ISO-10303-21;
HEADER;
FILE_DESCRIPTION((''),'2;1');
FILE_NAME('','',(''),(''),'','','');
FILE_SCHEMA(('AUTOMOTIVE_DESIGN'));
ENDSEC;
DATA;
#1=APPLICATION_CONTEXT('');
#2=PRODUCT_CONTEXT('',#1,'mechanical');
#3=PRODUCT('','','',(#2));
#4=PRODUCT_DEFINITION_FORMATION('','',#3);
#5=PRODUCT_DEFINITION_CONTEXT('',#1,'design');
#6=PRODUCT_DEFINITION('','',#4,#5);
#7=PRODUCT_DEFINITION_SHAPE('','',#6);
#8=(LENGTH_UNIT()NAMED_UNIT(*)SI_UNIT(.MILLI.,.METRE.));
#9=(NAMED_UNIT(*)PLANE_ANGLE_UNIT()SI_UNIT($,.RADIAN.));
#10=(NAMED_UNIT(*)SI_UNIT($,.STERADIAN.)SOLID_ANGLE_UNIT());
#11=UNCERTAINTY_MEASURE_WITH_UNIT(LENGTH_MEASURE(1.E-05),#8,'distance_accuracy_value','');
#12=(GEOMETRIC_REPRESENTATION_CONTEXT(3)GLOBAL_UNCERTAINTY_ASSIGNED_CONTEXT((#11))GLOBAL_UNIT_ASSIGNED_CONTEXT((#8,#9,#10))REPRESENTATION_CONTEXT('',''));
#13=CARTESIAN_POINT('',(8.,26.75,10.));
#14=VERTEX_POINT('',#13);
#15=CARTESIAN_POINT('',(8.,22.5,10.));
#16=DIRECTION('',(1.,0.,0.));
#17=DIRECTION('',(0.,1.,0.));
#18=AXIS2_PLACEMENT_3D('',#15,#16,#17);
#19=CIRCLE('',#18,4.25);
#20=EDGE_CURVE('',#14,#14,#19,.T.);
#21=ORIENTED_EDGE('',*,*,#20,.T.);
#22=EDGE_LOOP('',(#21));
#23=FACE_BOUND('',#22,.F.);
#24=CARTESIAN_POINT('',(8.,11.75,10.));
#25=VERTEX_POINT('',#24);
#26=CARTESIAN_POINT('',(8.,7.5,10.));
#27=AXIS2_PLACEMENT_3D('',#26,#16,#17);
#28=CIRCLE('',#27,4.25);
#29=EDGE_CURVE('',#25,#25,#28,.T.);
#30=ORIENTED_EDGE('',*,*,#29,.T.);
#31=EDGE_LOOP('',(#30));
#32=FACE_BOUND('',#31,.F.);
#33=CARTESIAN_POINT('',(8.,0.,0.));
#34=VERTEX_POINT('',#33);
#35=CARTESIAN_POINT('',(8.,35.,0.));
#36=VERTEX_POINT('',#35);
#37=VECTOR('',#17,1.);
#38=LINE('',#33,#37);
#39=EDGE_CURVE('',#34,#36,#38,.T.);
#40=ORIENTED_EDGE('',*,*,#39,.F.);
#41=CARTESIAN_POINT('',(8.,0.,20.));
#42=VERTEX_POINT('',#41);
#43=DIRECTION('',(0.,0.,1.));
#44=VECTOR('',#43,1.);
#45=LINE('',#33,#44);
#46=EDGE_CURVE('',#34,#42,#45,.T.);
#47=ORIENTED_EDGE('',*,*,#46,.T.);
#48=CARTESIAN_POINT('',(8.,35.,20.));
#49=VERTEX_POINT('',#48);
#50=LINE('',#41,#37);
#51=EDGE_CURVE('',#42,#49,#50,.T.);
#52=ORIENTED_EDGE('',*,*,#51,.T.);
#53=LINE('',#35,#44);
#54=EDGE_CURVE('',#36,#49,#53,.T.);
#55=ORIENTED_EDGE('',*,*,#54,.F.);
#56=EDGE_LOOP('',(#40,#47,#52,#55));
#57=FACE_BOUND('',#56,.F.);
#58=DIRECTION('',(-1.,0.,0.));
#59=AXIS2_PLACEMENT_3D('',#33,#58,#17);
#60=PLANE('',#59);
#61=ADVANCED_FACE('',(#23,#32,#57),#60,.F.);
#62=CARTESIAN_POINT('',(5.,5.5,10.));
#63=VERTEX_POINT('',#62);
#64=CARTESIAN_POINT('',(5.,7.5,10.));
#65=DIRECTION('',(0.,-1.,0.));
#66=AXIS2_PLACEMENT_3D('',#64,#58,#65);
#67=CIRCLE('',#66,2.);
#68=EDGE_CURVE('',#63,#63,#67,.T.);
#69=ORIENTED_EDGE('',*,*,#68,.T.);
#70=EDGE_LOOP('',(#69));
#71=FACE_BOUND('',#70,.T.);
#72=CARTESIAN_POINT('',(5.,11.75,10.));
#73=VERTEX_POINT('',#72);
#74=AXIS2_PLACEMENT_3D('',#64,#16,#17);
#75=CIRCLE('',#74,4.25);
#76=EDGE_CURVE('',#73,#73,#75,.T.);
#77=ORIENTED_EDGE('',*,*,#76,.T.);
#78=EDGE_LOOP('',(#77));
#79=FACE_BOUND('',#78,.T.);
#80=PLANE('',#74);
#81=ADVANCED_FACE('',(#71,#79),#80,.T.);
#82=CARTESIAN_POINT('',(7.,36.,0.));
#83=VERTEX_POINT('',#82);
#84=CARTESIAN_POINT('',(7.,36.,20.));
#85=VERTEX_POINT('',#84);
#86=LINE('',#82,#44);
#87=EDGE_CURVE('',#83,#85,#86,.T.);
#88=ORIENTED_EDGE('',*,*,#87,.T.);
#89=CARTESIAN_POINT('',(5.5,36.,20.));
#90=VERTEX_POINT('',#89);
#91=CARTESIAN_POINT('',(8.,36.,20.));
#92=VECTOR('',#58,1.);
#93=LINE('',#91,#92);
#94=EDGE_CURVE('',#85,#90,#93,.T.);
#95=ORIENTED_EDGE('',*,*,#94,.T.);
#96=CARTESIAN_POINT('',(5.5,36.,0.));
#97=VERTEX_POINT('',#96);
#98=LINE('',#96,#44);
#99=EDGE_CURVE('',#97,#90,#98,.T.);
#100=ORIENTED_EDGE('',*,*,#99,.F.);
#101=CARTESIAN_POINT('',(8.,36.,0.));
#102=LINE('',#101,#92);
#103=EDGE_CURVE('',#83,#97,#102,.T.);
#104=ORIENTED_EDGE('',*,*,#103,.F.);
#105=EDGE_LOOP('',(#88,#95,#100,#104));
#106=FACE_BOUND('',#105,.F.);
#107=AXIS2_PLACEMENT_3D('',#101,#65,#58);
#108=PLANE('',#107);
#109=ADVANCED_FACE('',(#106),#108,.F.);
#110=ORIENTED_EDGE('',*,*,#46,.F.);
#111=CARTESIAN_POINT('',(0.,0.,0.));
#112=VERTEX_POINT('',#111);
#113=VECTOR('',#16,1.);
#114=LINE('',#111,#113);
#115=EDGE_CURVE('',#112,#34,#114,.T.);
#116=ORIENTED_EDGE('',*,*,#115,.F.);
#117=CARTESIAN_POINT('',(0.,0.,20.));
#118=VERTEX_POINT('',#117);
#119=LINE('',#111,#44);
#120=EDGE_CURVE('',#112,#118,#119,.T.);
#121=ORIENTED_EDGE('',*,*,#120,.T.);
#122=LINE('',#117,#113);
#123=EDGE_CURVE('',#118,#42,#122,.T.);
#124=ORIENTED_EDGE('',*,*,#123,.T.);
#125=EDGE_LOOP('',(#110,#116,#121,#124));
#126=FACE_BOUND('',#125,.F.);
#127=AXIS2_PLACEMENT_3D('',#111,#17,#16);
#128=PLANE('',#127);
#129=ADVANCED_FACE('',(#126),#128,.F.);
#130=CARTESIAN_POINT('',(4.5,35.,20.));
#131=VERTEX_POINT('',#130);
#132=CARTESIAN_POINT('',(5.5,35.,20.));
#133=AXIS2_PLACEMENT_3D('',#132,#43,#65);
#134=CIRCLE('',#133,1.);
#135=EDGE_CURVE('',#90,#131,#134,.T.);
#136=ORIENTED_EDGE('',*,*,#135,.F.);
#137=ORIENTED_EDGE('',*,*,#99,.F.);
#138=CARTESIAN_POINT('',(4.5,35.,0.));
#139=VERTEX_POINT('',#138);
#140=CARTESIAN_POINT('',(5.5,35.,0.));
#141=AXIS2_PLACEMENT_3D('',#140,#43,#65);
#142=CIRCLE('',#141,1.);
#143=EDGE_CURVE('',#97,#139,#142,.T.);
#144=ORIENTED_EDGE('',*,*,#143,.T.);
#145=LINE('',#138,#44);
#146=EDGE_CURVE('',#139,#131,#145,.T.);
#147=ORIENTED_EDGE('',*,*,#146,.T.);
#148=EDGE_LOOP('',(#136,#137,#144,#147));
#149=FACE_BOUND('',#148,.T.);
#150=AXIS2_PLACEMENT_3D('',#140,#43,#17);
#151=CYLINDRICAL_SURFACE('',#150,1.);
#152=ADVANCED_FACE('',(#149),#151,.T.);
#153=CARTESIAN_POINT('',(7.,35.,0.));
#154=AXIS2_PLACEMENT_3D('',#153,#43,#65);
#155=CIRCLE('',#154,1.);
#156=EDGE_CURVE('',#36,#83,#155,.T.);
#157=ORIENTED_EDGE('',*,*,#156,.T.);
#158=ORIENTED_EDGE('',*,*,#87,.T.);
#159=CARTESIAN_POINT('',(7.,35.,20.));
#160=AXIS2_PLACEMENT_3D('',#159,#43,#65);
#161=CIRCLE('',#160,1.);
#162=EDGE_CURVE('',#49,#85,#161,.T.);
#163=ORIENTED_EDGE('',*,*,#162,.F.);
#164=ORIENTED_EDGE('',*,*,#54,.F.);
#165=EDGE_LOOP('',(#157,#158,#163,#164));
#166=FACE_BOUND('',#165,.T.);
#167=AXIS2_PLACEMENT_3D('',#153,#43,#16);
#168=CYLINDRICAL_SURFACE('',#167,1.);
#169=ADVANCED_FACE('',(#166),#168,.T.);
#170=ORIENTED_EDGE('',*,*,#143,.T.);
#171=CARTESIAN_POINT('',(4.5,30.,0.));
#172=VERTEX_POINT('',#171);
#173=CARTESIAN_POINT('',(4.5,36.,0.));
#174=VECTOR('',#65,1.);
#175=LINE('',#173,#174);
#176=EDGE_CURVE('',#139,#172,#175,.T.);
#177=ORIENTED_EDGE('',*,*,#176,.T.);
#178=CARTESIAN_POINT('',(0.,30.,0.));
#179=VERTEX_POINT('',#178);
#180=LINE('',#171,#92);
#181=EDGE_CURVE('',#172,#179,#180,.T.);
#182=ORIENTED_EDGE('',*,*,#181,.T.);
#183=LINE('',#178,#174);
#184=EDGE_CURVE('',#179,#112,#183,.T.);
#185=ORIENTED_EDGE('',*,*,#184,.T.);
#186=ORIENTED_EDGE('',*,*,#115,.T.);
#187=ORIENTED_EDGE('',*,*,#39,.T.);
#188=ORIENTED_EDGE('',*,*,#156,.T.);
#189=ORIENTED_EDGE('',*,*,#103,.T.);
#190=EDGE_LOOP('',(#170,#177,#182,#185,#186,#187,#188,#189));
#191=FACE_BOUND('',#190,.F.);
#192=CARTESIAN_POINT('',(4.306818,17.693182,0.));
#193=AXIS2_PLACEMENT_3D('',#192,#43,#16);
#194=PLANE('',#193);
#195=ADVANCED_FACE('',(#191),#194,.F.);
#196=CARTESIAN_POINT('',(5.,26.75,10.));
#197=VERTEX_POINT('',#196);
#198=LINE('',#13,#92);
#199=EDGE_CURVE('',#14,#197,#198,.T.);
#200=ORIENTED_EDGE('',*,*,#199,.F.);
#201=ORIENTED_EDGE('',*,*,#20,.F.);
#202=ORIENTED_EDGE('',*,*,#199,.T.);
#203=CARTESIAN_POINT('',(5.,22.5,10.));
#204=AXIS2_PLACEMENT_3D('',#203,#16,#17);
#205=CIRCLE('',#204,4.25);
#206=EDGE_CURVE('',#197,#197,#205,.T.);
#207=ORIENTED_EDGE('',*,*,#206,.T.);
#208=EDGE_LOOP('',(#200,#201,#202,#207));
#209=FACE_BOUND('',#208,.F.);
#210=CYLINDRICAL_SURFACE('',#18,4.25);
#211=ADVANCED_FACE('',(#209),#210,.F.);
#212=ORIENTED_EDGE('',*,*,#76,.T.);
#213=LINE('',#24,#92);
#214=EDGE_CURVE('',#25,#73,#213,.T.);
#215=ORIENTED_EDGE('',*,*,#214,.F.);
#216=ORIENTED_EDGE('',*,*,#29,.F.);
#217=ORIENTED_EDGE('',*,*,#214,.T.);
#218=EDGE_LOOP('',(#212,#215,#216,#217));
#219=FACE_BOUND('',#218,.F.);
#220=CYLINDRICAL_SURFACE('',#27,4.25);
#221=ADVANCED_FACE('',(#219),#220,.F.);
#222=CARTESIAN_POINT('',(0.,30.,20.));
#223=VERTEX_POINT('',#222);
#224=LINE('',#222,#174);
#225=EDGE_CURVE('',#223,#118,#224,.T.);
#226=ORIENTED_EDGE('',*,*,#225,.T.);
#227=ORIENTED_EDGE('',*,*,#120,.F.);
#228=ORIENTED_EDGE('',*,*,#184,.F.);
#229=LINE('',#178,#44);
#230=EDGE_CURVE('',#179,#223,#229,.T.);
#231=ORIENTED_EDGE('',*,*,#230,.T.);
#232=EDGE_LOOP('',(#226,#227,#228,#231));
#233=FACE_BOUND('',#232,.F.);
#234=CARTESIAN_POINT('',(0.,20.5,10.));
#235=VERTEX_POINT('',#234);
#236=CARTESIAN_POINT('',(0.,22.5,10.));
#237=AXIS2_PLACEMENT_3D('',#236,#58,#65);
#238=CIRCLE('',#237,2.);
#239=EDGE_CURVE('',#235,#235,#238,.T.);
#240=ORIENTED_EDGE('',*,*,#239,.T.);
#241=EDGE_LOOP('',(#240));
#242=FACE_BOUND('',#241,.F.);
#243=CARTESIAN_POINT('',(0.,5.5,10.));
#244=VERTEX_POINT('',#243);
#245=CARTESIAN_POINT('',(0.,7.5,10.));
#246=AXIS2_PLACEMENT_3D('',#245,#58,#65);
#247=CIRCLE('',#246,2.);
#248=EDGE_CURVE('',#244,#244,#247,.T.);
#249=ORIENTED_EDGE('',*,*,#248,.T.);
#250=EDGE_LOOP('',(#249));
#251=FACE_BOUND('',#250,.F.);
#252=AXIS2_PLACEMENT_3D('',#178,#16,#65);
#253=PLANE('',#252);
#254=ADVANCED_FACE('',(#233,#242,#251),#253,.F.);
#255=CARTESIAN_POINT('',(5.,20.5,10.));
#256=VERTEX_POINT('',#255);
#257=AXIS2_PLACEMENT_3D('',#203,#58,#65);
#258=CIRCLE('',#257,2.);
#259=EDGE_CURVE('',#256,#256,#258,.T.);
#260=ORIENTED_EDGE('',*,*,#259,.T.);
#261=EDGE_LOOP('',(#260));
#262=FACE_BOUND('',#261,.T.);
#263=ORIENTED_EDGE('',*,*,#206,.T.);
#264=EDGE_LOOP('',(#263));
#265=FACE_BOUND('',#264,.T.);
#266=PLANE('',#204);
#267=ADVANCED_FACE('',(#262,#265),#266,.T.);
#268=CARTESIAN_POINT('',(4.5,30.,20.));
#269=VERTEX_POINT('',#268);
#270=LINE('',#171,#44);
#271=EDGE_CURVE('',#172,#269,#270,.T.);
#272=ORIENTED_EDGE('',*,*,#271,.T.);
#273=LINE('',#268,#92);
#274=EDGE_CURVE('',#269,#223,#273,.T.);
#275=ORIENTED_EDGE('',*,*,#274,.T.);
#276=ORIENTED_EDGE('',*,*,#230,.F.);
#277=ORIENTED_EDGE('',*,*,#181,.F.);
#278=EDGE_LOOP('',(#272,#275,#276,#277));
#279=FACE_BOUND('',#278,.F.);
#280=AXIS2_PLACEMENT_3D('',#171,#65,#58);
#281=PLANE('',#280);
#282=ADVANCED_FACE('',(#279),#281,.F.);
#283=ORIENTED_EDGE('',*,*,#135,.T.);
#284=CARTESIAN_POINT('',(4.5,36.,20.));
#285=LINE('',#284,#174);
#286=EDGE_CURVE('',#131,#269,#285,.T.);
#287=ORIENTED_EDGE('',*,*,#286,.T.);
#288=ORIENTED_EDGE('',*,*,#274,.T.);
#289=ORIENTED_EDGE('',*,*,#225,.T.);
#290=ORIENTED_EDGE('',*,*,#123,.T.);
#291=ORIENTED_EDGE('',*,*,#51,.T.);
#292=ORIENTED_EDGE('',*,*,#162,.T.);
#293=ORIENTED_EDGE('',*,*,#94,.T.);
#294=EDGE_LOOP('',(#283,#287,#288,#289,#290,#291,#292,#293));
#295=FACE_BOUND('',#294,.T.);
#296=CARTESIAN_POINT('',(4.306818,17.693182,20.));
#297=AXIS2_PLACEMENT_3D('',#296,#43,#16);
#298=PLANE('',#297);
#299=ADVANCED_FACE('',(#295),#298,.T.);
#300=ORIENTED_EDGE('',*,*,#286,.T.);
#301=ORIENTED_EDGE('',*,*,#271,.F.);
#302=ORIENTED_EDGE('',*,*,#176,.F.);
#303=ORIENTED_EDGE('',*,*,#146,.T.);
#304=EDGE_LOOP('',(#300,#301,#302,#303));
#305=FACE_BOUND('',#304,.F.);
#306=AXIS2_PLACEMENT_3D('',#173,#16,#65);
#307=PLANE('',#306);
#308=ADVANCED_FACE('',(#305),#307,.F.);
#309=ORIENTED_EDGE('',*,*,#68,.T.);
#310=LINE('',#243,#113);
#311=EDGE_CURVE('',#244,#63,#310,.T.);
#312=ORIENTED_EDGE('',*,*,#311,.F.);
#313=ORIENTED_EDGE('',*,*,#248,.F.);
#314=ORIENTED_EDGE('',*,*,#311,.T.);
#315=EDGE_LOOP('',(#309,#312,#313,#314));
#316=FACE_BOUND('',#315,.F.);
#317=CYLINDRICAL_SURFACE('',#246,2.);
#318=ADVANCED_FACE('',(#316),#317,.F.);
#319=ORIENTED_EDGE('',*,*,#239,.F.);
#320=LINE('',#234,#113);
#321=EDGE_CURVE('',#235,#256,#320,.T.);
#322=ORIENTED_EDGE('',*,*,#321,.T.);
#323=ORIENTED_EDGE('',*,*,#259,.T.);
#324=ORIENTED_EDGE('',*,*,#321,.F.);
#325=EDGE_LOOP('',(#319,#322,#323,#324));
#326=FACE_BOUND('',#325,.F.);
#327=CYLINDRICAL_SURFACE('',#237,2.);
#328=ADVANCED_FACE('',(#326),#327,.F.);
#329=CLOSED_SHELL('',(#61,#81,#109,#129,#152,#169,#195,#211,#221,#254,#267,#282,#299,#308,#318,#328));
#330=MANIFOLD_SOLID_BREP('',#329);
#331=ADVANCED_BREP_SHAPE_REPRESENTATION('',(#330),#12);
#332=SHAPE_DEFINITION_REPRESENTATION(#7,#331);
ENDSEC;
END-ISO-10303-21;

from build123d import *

# Parameters (mm, degrees)
F1_DEPTH = 20
F2_R     = 2
F3_DEPTH = 8.001
F4_R     = 1
F5_R     = 4.25
F6_DEPTH = 3


with BuildPart() as f1:
    # F0 (on Top) → F1 (new body)
    with BuildSketch(Plane.XY):
        Polygon((8, 0), (8, 36), (4.5, 36), (4.5, 30), (0, 30), (0, 0), align=None)
    extrude(amount=F1_DEPTH)

    # F2 (on face) → F3 (cut, through all)
    with BuildSketch(Plane(origin=(0, 0, 0), x_dir=(0, -1, 0), z_dir=(-1, 0, 0))):
        with Locations((-7.5, 10)):
            Circle(F2_R)
        with Locations((-22.5, 10)):
            Circle(F2_R)
    extrude(amount=-F3_DEPTH, mode=Mode.SUBTRACT)

    # F4
    f4_edges = [f1.edges().sort_by_distance(p)[0] for p in [
        (4.5, 36, 10),
        (8, 36, 10),
    ]]
    fillet(f4_edges, radius=F4_R)

    # F5 (on face) → F6 (cut)
    with BuildSketch(Plane.YZ.offset(8)):
        with Locations((22.5, 10)):
            Circle(F5_R)
        with Locations((7.5, 10)):
            Circle(F5_R)
    extrude(amount=-F6_DEPTH, mode=Mode.SUBTRACT)


solid = f1.part
